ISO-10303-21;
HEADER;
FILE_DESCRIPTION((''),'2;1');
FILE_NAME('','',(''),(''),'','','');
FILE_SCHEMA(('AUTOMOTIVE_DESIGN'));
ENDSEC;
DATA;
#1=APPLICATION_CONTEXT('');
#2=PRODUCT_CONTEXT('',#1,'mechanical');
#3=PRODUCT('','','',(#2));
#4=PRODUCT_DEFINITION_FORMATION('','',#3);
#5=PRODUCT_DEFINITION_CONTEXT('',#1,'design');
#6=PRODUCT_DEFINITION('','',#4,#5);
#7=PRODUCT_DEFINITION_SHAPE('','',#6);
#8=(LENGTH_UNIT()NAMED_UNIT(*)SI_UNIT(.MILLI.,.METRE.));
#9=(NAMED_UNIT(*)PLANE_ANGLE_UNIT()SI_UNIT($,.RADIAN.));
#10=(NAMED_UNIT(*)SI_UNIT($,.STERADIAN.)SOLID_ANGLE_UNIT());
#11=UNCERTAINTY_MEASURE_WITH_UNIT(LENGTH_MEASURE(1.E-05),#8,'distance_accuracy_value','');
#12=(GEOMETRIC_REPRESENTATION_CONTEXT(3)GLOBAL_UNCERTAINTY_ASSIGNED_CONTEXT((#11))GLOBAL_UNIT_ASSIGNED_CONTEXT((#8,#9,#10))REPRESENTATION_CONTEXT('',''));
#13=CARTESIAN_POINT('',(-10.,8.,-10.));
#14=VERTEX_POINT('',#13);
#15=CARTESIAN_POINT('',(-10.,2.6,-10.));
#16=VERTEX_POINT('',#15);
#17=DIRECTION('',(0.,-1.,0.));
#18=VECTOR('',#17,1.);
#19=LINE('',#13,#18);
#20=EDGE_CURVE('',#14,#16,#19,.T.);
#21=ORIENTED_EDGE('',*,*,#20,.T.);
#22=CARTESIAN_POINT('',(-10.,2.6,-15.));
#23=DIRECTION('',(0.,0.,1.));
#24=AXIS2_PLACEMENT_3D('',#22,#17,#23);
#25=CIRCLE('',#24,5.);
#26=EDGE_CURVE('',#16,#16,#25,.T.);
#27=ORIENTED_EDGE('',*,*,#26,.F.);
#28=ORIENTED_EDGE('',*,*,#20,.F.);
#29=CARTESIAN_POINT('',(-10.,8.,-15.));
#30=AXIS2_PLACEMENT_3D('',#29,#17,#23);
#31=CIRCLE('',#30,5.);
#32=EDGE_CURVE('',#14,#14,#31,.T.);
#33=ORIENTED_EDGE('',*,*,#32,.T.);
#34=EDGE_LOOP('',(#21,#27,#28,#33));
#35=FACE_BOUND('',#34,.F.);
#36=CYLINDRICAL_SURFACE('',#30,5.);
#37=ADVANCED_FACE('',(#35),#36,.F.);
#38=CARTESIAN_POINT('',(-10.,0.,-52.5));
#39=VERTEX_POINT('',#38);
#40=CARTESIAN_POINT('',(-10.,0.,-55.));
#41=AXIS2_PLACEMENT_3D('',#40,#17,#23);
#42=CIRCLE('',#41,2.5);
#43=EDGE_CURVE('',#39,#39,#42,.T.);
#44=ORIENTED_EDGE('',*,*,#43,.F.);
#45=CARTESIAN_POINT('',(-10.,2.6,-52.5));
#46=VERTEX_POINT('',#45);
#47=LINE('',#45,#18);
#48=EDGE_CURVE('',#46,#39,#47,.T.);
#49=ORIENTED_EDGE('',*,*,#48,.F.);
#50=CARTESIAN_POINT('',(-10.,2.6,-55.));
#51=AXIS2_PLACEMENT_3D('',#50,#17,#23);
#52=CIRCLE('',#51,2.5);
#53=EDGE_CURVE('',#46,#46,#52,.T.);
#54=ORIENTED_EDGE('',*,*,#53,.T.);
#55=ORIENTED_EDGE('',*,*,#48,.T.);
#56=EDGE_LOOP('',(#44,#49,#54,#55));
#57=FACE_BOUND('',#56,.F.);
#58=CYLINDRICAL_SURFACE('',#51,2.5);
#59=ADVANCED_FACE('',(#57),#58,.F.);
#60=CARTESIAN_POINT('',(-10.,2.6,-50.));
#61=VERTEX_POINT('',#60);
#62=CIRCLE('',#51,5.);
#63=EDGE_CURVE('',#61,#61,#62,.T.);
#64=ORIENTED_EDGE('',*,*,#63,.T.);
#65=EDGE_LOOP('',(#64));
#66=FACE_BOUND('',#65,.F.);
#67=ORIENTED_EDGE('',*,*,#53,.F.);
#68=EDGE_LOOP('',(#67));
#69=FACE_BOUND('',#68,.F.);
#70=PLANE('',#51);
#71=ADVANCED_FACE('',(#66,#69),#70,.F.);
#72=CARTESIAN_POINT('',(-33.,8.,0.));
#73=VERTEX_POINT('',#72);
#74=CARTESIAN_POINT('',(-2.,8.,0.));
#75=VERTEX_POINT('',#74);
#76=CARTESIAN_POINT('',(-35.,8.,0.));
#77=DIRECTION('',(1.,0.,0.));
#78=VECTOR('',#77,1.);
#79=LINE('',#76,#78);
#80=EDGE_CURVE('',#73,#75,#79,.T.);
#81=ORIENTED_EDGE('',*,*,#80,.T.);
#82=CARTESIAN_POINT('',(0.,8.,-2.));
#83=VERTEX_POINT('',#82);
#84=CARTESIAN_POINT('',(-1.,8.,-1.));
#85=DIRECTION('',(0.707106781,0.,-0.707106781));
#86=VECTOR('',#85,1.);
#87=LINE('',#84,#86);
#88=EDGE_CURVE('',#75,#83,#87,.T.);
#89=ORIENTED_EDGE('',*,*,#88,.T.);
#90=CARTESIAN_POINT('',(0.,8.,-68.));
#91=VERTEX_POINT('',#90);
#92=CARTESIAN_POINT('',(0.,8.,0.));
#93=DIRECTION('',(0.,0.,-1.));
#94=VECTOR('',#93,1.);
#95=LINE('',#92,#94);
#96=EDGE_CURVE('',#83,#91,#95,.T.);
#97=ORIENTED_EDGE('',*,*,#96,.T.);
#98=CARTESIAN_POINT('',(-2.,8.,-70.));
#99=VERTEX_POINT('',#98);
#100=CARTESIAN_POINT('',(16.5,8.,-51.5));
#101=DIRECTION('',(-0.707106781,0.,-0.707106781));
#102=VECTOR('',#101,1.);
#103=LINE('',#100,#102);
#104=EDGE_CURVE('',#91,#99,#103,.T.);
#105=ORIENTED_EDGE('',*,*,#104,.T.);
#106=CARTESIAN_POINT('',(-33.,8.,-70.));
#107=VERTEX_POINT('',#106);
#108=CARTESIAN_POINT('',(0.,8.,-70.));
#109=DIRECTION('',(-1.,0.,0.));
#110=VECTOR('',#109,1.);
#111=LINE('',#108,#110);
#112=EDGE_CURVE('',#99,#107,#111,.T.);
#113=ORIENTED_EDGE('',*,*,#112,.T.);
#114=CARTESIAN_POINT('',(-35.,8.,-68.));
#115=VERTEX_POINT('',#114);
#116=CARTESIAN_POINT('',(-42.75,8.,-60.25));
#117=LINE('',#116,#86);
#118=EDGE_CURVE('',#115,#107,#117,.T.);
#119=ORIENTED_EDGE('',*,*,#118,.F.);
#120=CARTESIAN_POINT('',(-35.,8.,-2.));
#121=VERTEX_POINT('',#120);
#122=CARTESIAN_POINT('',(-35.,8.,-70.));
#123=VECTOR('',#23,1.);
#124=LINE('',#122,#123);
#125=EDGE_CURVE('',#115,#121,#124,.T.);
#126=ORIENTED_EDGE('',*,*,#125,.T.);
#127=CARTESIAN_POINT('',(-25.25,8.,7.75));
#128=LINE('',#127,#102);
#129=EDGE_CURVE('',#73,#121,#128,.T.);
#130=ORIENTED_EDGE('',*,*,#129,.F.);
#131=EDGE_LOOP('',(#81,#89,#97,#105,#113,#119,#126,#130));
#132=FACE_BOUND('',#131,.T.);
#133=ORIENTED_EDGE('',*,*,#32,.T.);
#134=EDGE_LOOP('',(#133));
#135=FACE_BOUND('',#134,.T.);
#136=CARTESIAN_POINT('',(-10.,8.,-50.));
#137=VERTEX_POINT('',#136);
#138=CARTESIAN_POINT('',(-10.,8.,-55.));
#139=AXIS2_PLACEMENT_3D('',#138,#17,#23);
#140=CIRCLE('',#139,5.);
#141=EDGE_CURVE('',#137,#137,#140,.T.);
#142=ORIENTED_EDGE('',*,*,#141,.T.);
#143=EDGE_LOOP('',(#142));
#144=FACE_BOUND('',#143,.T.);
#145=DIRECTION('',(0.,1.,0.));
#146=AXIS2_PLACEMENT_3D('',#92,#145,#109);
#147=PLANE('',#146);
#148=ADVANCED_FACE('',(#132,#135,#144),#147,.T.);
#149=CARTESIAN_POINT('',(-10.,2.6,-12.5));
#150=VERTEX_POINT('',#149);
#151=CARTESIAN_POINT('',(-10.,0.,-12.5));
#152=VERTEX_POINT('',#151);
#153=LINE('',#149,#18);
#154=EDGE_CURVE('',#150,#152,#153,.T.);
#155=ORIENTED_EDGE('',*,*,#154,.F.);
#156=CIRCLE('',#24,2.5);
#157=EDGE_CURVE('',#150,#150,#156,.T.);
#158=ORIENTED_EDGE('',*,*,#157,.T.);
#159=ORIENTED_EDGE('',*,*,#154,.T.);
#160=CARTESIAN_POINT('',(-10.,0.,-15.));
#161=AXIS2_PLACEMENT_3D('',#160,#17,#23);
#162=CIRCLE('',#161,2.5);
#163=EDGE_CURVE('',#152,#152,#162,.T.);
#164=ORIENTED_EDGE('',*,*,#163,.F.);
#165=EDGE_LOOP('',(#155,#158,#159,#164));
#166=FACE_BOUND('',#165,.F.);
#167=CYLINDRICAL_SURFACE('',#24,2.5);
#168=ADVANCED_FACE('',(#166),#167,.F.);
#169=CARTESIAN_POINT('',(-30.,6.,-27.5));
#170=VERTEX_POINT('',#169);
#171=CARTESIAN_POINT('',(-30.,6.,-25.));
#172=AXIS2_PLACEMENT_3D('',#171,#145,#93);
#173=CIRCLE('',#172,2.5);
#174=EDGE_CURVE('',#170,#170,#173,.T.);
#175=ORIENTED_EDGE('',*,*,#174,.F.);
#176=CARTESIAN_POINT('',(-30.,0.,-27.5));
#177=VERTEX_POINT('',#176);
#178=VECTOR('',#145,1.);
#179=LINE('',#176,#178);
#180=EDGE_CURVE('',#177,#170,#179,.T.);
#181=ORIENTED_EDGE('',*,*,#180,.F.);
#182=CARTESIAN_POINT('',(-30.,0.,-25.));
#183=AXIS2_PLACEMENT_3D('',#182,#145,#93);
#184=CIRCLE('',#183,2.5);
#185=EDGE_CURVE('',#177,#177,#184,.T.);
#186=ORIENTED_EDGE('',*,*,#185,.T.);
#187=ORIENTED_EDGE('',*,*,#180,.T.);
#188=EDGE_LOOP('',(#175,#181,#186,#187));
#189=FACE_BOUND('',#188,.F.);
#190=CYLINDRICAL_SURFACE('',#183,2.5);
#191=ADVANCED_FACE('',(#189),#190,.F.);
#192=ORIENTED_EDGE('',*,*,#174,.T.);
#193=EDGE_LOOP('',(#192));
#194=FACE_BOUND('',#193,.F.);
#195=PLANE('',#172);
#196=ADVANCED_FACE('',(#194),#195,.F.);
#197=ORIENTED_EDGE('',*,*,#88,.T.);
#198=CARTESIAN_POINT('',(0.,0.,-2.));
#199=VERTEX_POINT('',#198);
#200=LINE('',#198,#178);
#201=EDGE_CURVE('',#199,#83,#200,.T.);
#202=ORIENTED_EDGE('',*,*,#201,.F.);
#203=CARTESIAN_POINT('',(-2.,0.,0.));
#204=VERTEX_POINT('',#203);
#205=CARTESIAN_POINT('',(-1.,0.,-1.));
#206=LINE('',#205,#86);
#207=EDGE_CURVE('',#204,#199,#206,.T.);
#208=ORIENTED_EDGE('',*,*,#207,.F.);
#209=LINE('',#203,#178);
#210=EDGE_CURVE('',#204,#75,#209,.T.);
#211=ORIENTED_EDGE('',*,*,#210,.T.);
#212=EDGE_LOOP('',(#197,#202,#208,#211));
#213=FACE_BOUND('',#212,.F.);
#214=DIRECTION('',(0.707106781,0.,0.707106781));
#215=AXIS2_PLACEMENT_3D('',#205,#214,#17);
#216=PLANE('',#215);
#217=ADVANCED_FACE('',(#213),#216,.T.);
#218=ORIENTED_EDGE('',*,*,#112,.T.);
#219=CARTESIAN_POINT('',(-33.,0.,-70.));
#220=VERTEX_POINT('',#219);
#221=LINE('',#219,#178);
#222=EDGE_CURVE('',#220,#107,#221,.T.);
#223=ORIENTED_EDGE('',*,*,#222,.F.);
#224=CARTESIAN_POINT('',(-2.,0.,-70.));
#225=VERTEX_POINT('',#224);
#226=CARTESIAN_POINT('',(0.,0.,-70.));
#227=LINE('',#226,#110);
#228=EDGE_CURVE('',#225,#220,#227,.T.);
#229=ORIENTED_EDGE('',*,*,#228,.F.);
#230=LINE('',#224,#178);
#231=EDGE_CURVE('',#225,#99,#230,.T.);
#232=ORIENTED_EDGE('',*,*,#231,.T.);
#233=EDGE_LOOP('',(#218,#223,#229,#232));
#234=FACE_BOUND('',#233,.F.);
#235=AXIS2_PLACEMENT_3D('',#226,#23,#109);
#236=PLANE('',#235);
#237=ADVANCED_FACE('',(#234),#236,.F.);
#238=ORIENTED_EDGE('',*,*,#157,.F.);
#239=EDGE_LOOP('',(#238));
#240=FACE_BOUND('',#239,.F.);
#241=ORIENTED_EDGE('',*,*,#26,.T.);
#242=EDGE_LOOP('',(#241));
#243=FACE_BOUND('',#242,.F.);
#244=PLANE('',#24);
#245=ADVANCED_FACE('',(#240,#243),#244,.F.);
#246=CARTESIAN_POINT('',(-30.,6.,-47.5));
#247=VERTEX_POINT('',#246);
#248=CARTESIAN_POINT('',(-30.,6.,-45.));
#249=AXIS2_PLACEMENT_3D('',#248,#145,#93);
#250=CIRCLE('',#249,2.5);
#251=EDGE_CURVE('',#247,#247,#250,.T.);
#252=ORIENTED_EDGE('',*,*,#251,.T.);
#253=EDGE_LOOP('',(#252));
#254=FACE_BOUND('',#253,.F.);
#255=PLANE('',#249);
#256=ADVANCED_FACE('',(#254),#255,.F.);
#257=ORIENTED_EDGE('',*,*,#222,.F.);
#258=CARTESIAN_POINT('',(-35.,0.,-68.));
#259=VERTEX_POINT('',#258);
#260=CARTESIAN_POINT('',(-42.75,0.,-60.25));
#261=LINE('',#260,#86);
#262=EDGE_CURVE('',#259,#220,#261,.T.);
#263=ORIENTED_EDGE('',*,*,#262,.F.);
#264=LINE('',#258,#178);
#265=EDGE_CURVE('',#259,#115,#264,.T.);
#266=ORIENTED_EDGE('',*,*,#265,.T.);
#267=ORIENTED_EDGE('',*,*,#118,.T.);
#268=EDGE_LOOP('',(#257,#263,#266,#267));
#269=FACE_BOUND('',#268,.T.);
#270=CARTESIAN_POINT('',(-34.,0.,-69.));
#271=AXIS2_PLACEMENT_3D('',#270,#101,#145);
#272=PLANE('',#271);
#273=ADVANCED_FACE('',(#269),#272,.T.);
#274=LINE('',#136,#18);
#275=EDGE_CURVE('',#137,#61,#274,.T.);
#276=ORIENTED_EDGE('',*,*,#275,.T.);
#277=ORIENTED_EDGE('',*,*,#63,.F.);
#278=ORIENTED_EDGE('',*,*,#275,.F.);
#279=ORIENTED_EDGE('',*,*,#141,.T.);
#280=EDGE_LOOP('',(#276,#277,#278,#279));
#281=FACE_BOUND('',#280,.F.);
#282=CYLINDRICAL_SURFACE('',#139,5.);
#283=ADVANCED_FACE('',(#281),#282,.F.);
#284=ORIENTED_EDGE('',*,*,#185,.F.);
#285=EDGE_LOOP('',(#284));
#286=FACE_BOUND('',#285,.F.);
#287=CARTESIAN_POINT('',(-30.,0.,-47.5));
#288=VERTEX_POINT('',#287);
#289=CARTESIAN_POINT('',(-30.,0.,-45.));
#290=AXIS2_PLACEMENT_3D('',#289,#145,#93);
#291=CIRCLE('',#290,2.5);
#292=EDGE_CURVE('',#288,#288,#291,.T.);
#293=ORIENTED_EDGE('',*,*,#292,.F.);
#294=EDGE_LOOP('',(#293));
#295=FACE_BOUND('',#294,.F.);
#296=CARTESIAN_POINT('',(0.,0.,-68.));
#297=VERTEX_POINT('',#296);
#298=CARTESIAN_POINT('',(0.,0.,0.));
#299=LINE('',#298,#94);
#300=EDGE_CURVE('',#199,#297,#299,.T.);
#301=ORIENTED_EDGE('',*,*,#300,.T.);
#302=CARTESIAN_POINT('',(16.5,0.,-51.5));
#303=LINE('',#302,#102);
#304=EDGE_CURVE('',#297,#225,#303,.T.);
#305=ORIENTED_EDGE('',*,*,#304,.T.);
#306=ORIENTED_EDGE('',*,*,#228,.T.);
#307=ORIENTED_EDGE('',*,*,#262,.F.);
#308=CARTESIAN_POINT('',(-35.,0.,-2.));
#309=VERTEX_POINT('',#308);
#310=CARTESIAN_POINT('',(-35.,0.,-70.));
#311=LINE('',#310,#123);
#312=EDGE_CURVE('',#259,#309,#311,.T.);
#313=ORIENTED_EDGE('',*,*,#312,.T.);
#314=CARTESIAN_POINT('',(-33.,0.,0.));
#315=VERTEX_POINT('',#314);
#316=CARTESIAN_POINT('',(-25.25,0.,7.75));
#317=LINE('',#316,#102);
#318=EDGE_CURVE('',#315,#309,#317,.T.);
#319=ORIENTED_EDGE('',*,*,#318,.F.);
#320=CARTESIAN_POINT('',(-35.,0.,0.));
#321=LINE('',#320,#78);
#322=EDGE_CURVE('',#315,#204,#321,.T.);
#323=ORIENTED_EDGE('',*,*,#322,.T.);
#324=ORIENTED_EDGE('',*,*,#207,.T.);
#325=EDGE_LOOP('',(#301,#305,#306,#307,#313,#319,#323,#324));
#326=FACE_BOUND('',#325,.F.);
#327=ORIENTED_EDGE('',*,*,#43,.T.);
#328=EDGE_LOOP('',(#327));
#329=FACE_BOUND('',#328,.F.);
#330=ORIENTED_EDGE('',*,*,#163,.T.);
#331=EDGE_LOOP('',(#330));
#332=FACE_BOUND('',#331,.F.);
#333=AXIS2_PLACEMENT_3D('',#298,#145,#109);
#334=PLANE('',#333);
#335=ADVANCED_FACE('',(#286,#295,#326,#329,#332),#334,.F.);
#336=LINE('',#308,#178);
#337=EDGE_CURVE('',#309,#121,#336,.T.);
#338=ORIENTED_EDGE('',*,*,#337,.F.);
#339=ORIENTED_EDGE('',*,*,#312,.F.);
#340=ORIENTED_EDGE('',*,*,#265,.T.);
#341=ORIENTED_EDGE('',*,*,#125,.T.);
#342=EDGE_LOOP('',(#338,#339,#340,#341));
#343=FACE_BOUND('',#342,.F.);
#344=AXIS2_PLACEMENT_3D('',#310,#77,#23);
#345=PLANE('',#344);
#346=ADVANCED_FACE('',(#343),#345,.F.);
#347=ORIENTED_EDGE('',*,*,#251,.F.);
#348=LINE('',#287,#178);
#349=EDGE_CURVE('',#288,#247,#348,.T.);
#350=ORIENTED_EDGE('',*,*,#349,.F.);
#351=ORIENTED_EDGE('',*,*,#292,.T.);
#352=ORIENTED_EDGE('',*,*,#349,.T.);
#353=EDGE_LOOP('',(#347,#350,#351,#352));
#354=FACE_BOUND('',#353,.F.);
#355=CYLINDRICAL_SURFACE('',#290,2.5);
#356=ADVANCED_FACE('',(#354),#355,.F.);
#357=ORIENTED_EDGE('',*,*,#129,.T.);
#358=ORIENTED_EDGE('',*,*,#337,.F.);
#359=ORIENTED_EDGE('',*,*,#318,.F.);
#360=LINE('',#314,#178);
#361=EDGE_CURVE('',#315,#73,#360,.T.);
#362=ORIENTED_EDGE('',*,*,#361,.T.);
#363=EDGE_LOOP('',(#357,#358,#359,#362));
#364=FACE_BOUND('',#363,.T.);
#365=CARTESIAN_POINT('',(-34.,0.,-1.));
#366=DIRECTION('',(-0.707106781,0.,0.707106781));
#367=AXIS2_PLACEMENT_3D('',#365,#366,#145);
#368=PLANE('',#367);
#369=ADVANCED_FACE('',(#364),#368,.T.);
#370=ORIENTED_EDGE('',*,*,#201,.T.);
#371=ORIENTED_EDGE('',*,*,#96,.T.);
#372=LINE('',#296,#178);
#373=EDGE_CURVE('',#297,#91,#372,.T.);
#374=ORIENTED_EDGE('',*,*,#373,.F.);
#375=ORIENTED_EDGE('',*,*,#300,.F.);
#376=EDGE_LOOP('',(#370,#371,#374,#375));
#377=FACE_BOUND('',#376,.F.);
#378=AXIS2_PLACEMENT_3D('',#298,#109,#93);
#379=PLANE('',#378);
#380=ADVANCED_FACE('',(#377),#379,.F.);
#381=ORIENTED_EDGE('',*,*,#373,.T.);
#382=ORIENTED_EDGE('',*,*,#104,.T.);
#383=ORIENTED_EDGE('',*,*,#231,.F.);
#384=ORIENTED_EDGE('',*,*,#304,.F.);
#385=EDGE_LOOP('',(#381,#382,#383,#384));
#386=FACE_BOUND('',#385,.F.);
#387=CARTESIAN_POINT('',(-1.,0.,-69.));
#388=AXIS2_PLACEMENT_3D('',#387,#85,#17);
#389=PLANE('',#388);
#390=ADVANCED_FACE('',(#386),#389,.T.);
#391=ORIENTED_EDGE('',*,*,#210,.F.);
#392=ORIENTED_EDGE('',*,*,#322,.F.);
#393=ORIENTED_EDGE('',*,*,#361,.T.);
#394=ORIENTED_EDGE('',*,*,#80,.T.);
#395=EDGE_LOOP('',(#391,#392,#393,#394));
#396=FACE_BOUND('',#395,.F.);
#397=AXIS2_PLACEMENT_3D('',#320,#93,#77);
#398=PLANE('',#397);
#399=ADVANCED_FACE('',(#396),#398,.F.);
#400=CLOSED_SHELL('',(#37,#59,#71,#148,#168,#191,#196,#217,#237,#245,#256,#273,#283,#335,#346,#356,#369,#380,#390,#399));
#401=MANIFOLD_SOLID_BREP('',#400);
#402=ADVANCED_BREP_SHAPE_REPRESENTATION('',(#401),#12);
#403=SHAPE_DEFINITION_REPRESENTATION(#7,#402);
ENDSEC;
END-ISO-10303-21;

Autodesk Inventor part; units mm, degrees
ref_plane "YZ Plane" through (0, 0, 0) normal (1, 0, 0) x (0, 1, 0)
ref_plane "XZ Plane" through (0, 0, 0) normal (0, 1, 0) x (-1, 0, 0)
ref_plane "XY Plane" through (0, 0, 0) normal (0, 0, 1) x (1, 0, 0)
sketch "Skizze3" plane through (0, 0, 0) normal (0, 1, 0) x (-1, 0, 0)
  line L0 (0, 0) -> (0, -70)
  line L1 (0, -70) -> (35, -70)
  line L2 (35, -70) -> (35, 0)
  line L3 (35, 0) -> (0, 0)
  point P0 (30, -25)
  point P1 (30, -45)
  point P2 (35, -35)
  point P3 (10, -15)
  point P4 (10, -55)
  dimension "d4" = 35
  dimension "d5" = 70
  dimension "d6" = 5
  dimension "d7" = 5
  dimension "d8" = 10
  dimension "d9" = 10
  dimension "d10" = 15
  dimension "d11" = 15
  dimension "d12" = 10
  dimension "d13" = 10
extrude "Extrusion3" add sketch "Skizze3" along normal blind 8
hole "Bohrung1" at (-30, 0, -45) at (-30, 0, -25) direction (0, 1, 0) diameter 5 depth 6
sketch "Skizze4" plane through (0, 8, 0) normal (0, 1, 0) x (1, 0, 0)
  point P0 (0, 0)
  point P1 (-10, 15)
  point P2 (-10, 55)
  point P3 (-10, 15)
  point P4 (-10, 55)
hole "Bohrung2" at (-10, 8, -15) at (-10, 8, -55) direction (0, -1, 0) diameter 5 end through all counterbore diameter 10 counterbore depth 5.4
chamfer "Fase1" distance 2 angle 45 4 edges at (-35, 4, 0) (0, 4, 0) (0, 4, -70) (-35, 4, -70)
properties part number "BT503_trajan20_21" material "Kunststoff, undurchsichtig Schwarz"
